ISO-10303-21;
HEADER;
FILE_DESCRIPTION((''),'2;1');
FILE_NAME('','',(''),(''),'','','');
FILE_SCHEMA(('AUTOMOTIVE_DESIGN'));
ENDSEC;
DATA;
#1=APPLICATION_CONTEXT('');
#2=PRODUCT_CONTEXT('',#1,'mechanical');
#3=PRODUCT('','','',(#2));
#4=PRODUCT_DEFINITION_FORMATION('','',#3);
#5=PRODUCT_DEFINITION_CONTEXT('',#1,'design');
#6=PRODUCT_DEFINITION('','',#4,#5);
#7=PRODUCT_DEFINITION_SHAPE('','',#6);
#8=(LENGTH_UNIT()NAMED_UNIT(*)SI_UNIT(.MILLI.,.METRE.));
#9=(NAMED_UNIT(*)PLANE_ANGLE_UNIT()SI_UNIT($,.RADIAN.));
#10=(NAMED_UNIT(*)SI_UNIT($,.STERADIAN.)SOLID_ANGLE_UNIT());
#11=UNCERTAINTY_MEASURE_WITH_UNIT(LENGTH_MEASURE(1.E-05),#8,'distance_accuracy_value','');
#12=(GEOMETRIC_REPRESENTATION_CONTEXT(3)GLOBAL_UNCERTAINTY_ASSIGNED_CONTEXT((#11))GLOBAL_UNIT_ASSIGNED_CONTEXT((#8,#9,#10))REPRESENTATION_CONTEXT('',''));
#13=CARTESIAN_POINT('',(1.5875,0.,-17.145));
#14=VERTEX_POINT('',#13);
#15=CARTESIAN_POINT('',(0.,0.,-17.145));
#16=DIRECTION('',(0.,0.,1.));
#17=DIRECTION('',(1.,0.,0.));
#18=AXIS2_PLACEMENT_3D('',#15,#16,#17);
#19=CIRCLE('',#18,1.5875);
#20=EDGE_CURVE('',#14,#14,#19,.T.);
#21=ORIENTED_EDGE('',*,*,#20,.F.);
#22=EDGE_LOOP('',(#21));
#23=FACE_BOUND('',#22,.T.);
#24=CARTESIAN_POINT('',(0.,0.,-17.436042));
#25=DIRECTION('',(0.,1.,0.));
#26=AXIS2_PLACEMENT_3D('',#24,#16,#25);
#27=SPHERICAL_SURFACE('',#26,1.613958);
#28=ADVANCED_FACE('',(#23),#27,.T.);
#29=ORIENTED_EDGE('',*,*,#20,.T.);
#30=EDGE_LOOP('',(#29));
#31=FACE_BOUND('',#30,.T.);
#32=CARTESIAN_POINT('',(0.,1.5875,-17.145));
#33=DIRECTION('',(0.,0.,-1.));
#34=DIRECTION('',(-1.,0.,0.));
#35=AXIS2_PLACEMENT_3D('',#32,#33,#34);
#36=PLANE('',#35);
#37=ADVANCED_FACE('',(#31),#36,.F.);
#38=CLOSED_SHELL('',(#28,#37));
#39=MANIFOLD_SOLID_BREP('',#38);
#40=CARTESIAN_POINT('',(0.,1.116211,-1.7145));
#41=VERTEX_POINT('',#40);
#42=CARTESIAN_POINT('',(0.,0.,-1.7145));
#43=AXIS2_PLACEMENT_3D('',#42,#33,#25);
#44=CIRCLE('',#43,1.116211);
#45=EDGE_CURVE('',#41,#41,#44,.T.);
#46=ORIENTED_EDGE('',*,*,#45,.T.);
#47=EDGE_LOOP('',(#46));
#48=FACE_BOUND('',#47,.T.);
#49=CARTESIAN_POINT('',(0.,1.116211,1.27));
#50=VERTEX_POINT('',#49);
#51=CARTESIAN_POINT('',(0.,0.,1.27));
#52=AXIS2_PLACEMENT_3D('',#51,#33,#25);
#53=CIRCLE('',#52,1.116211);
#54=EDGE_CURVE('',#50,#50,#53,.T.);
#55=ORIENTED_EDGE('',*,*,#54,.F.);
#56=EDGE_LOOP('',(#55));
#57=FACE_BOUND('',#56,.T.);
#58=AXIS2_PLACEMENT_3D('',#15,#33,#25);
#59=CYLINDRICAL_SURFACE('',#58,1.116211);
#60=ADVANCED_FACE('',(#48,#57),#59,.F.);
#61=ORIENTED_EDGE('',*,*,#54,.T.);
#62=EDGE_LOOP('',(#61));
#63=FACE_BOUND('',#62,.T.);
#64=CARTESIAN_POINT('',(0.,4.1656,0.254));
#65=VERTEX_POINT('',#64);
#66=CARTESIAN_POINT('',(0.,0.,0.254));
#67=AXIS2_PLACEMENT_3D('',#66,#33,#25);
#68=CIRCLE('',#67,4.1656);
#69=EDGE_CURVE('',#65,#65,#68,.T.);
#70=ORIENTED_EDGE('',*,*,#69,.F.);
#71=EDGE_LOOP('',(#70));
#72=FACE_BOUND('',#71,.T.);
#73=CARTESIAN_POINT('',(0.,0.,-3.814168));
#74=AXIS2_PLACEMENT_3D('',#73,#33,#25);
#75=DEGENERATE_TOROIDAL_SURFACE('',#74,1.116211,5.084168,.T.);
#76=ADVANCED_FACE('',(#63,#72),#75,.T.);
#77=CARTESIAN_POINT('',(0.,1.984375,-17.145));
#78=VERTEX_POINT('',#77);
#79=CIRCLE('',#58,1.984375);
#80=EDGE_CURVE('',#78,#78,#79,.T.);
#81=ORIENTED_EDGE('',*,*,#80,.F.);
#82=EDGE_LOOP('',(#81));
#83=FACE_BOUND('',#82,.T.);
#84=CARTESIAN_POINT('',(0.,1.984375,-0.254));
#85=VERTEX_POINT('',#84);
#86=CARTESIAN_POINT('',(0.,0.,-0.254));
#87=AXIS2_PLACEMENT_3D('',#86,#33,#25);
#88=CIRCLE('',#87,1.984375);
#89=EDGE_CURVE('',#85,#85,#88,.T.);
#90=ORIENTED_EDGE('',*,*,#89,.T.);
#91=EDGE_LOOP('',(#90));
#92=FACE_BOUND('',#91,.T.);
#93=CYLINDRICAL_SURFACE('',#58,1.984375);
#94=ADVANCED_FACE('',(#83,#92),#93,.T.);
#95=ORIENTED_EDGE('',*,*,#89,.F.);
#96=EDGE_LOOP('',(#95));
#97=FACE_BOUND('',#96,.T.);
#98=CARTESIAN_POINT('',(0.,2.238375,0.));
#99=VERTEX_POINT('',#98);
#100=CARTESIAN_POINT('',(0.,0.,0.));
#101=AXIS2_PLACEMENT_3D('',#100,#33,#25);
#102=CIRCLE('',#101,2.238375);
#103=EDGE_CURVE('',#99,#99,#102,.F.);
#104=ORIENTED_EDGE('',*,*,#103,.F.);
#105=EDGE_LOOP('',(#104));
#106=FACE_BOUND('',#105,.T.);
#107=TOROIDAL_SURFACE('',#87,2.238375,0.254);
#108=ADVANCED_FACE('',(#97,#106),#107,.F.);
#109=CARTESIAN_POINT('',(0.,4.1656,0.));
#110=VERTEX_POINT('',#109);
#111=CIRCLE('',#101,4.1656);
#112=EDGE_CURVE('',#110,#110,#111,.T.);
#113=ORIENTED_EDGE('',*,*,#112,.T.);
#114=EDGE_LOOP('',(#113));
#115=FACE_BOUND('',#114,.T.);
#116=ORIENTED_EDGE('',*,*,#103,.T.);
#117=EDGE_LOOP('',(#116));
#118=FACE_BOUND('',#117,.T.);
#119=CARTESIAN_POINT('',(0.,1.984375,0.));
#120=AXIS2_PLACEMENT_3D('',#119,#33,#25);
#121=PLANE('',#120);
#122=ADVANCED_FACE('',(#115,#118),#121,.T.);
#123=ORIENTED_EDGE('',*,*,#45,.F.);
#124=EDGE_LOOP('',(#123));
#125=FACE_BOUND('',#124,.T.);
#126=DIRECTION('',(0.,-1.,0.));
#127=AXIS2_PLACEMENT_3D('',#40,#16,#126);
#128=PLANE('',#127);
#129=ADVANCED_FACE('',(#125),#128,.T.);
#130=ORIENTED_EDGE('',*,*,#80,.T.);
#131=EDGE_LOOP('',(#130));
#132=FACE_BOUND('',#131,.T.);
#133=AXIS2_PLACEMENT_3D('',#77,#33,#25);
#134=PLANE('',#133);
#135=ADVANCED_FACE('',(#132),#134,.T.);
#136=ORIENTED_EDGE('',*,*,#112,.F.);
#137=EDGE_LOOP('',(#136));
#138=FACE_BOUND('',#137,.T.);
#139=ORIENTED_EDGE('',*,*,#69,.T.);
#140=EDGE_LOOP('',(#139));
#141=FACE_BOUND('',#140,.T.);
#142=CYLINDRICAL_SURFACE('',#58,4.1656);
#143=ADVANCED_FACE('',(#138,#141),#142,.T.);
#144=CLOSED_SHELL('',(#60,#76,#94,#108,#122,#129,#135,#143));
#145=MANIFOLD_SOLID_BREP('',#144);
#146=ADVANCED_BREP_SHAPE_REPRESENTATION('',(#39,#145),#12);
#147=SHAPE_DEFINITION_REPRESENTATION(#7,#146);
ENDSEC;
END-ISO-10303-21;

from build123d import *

# Parameters (mm, degrees)
FILLET2_R = 0.254


with BuildPart() as part:
    # Sketch2 → Revolve1 (revolve)
    with BuildSketch(Plane(origin=(0, 0, 0), x_dir=(0, 0, -1), z_dir=(1, 0, 0))):
        with BuildLine():
            Line((17.145, 1.984375), (0, 1.984375))
            Line((0, 1.984375), (0, 4.1656))
            Line((0, 4.1656), (-0.254, 4.1656))
            ThreePointArc((-0.254, 4.1656), (-1.009316934, 2.723306894), (-1.27, 1.116210937))
            Line((-1.27, 1.116210937), (0, 1.116210938))
            Line((0, 1.116210938), (1.7145, 1.116210938))
            Line((1.7145, 1.116210938), (1.7145, 0))
            Line((1.7145, 0), (17.145, 0))
            Line((17.145, 0), (17.145, 1.984375))
        make_face()
    revolve(axis=Axis((0, 0, -17.145), (0, 0, 1)))

    # Fillet2
    fillet2_edges = [part.edges().sort_by_distance(p)[0] for p in [
        (0, -1.984375, 0),
    ]]
    fillet(fillet2_edges, radius=FILLET2_R)


with BuildPart() as body_2:
    # Sketch8 → Revolve3 (revolve)
    with BuildSketch(Plane(origin=(0, 0, 0), x_dir=(0, 0, -1), z_dir=(1, 0, 0))):
        with BuildLine():
            Line((17.145, 1.5875), (17.145, 0))
            Line((17.145, 0), (19.05, 0))
            ThreePointArc((19.05, 0), (18.469272613, 1.239877136), (17.145, 1.5875))
        make_face()
    revolve(axis=Axis((0, 0, -17.145), (0, 0, -1)))


solid = Compound([part.part, body_2.part])
